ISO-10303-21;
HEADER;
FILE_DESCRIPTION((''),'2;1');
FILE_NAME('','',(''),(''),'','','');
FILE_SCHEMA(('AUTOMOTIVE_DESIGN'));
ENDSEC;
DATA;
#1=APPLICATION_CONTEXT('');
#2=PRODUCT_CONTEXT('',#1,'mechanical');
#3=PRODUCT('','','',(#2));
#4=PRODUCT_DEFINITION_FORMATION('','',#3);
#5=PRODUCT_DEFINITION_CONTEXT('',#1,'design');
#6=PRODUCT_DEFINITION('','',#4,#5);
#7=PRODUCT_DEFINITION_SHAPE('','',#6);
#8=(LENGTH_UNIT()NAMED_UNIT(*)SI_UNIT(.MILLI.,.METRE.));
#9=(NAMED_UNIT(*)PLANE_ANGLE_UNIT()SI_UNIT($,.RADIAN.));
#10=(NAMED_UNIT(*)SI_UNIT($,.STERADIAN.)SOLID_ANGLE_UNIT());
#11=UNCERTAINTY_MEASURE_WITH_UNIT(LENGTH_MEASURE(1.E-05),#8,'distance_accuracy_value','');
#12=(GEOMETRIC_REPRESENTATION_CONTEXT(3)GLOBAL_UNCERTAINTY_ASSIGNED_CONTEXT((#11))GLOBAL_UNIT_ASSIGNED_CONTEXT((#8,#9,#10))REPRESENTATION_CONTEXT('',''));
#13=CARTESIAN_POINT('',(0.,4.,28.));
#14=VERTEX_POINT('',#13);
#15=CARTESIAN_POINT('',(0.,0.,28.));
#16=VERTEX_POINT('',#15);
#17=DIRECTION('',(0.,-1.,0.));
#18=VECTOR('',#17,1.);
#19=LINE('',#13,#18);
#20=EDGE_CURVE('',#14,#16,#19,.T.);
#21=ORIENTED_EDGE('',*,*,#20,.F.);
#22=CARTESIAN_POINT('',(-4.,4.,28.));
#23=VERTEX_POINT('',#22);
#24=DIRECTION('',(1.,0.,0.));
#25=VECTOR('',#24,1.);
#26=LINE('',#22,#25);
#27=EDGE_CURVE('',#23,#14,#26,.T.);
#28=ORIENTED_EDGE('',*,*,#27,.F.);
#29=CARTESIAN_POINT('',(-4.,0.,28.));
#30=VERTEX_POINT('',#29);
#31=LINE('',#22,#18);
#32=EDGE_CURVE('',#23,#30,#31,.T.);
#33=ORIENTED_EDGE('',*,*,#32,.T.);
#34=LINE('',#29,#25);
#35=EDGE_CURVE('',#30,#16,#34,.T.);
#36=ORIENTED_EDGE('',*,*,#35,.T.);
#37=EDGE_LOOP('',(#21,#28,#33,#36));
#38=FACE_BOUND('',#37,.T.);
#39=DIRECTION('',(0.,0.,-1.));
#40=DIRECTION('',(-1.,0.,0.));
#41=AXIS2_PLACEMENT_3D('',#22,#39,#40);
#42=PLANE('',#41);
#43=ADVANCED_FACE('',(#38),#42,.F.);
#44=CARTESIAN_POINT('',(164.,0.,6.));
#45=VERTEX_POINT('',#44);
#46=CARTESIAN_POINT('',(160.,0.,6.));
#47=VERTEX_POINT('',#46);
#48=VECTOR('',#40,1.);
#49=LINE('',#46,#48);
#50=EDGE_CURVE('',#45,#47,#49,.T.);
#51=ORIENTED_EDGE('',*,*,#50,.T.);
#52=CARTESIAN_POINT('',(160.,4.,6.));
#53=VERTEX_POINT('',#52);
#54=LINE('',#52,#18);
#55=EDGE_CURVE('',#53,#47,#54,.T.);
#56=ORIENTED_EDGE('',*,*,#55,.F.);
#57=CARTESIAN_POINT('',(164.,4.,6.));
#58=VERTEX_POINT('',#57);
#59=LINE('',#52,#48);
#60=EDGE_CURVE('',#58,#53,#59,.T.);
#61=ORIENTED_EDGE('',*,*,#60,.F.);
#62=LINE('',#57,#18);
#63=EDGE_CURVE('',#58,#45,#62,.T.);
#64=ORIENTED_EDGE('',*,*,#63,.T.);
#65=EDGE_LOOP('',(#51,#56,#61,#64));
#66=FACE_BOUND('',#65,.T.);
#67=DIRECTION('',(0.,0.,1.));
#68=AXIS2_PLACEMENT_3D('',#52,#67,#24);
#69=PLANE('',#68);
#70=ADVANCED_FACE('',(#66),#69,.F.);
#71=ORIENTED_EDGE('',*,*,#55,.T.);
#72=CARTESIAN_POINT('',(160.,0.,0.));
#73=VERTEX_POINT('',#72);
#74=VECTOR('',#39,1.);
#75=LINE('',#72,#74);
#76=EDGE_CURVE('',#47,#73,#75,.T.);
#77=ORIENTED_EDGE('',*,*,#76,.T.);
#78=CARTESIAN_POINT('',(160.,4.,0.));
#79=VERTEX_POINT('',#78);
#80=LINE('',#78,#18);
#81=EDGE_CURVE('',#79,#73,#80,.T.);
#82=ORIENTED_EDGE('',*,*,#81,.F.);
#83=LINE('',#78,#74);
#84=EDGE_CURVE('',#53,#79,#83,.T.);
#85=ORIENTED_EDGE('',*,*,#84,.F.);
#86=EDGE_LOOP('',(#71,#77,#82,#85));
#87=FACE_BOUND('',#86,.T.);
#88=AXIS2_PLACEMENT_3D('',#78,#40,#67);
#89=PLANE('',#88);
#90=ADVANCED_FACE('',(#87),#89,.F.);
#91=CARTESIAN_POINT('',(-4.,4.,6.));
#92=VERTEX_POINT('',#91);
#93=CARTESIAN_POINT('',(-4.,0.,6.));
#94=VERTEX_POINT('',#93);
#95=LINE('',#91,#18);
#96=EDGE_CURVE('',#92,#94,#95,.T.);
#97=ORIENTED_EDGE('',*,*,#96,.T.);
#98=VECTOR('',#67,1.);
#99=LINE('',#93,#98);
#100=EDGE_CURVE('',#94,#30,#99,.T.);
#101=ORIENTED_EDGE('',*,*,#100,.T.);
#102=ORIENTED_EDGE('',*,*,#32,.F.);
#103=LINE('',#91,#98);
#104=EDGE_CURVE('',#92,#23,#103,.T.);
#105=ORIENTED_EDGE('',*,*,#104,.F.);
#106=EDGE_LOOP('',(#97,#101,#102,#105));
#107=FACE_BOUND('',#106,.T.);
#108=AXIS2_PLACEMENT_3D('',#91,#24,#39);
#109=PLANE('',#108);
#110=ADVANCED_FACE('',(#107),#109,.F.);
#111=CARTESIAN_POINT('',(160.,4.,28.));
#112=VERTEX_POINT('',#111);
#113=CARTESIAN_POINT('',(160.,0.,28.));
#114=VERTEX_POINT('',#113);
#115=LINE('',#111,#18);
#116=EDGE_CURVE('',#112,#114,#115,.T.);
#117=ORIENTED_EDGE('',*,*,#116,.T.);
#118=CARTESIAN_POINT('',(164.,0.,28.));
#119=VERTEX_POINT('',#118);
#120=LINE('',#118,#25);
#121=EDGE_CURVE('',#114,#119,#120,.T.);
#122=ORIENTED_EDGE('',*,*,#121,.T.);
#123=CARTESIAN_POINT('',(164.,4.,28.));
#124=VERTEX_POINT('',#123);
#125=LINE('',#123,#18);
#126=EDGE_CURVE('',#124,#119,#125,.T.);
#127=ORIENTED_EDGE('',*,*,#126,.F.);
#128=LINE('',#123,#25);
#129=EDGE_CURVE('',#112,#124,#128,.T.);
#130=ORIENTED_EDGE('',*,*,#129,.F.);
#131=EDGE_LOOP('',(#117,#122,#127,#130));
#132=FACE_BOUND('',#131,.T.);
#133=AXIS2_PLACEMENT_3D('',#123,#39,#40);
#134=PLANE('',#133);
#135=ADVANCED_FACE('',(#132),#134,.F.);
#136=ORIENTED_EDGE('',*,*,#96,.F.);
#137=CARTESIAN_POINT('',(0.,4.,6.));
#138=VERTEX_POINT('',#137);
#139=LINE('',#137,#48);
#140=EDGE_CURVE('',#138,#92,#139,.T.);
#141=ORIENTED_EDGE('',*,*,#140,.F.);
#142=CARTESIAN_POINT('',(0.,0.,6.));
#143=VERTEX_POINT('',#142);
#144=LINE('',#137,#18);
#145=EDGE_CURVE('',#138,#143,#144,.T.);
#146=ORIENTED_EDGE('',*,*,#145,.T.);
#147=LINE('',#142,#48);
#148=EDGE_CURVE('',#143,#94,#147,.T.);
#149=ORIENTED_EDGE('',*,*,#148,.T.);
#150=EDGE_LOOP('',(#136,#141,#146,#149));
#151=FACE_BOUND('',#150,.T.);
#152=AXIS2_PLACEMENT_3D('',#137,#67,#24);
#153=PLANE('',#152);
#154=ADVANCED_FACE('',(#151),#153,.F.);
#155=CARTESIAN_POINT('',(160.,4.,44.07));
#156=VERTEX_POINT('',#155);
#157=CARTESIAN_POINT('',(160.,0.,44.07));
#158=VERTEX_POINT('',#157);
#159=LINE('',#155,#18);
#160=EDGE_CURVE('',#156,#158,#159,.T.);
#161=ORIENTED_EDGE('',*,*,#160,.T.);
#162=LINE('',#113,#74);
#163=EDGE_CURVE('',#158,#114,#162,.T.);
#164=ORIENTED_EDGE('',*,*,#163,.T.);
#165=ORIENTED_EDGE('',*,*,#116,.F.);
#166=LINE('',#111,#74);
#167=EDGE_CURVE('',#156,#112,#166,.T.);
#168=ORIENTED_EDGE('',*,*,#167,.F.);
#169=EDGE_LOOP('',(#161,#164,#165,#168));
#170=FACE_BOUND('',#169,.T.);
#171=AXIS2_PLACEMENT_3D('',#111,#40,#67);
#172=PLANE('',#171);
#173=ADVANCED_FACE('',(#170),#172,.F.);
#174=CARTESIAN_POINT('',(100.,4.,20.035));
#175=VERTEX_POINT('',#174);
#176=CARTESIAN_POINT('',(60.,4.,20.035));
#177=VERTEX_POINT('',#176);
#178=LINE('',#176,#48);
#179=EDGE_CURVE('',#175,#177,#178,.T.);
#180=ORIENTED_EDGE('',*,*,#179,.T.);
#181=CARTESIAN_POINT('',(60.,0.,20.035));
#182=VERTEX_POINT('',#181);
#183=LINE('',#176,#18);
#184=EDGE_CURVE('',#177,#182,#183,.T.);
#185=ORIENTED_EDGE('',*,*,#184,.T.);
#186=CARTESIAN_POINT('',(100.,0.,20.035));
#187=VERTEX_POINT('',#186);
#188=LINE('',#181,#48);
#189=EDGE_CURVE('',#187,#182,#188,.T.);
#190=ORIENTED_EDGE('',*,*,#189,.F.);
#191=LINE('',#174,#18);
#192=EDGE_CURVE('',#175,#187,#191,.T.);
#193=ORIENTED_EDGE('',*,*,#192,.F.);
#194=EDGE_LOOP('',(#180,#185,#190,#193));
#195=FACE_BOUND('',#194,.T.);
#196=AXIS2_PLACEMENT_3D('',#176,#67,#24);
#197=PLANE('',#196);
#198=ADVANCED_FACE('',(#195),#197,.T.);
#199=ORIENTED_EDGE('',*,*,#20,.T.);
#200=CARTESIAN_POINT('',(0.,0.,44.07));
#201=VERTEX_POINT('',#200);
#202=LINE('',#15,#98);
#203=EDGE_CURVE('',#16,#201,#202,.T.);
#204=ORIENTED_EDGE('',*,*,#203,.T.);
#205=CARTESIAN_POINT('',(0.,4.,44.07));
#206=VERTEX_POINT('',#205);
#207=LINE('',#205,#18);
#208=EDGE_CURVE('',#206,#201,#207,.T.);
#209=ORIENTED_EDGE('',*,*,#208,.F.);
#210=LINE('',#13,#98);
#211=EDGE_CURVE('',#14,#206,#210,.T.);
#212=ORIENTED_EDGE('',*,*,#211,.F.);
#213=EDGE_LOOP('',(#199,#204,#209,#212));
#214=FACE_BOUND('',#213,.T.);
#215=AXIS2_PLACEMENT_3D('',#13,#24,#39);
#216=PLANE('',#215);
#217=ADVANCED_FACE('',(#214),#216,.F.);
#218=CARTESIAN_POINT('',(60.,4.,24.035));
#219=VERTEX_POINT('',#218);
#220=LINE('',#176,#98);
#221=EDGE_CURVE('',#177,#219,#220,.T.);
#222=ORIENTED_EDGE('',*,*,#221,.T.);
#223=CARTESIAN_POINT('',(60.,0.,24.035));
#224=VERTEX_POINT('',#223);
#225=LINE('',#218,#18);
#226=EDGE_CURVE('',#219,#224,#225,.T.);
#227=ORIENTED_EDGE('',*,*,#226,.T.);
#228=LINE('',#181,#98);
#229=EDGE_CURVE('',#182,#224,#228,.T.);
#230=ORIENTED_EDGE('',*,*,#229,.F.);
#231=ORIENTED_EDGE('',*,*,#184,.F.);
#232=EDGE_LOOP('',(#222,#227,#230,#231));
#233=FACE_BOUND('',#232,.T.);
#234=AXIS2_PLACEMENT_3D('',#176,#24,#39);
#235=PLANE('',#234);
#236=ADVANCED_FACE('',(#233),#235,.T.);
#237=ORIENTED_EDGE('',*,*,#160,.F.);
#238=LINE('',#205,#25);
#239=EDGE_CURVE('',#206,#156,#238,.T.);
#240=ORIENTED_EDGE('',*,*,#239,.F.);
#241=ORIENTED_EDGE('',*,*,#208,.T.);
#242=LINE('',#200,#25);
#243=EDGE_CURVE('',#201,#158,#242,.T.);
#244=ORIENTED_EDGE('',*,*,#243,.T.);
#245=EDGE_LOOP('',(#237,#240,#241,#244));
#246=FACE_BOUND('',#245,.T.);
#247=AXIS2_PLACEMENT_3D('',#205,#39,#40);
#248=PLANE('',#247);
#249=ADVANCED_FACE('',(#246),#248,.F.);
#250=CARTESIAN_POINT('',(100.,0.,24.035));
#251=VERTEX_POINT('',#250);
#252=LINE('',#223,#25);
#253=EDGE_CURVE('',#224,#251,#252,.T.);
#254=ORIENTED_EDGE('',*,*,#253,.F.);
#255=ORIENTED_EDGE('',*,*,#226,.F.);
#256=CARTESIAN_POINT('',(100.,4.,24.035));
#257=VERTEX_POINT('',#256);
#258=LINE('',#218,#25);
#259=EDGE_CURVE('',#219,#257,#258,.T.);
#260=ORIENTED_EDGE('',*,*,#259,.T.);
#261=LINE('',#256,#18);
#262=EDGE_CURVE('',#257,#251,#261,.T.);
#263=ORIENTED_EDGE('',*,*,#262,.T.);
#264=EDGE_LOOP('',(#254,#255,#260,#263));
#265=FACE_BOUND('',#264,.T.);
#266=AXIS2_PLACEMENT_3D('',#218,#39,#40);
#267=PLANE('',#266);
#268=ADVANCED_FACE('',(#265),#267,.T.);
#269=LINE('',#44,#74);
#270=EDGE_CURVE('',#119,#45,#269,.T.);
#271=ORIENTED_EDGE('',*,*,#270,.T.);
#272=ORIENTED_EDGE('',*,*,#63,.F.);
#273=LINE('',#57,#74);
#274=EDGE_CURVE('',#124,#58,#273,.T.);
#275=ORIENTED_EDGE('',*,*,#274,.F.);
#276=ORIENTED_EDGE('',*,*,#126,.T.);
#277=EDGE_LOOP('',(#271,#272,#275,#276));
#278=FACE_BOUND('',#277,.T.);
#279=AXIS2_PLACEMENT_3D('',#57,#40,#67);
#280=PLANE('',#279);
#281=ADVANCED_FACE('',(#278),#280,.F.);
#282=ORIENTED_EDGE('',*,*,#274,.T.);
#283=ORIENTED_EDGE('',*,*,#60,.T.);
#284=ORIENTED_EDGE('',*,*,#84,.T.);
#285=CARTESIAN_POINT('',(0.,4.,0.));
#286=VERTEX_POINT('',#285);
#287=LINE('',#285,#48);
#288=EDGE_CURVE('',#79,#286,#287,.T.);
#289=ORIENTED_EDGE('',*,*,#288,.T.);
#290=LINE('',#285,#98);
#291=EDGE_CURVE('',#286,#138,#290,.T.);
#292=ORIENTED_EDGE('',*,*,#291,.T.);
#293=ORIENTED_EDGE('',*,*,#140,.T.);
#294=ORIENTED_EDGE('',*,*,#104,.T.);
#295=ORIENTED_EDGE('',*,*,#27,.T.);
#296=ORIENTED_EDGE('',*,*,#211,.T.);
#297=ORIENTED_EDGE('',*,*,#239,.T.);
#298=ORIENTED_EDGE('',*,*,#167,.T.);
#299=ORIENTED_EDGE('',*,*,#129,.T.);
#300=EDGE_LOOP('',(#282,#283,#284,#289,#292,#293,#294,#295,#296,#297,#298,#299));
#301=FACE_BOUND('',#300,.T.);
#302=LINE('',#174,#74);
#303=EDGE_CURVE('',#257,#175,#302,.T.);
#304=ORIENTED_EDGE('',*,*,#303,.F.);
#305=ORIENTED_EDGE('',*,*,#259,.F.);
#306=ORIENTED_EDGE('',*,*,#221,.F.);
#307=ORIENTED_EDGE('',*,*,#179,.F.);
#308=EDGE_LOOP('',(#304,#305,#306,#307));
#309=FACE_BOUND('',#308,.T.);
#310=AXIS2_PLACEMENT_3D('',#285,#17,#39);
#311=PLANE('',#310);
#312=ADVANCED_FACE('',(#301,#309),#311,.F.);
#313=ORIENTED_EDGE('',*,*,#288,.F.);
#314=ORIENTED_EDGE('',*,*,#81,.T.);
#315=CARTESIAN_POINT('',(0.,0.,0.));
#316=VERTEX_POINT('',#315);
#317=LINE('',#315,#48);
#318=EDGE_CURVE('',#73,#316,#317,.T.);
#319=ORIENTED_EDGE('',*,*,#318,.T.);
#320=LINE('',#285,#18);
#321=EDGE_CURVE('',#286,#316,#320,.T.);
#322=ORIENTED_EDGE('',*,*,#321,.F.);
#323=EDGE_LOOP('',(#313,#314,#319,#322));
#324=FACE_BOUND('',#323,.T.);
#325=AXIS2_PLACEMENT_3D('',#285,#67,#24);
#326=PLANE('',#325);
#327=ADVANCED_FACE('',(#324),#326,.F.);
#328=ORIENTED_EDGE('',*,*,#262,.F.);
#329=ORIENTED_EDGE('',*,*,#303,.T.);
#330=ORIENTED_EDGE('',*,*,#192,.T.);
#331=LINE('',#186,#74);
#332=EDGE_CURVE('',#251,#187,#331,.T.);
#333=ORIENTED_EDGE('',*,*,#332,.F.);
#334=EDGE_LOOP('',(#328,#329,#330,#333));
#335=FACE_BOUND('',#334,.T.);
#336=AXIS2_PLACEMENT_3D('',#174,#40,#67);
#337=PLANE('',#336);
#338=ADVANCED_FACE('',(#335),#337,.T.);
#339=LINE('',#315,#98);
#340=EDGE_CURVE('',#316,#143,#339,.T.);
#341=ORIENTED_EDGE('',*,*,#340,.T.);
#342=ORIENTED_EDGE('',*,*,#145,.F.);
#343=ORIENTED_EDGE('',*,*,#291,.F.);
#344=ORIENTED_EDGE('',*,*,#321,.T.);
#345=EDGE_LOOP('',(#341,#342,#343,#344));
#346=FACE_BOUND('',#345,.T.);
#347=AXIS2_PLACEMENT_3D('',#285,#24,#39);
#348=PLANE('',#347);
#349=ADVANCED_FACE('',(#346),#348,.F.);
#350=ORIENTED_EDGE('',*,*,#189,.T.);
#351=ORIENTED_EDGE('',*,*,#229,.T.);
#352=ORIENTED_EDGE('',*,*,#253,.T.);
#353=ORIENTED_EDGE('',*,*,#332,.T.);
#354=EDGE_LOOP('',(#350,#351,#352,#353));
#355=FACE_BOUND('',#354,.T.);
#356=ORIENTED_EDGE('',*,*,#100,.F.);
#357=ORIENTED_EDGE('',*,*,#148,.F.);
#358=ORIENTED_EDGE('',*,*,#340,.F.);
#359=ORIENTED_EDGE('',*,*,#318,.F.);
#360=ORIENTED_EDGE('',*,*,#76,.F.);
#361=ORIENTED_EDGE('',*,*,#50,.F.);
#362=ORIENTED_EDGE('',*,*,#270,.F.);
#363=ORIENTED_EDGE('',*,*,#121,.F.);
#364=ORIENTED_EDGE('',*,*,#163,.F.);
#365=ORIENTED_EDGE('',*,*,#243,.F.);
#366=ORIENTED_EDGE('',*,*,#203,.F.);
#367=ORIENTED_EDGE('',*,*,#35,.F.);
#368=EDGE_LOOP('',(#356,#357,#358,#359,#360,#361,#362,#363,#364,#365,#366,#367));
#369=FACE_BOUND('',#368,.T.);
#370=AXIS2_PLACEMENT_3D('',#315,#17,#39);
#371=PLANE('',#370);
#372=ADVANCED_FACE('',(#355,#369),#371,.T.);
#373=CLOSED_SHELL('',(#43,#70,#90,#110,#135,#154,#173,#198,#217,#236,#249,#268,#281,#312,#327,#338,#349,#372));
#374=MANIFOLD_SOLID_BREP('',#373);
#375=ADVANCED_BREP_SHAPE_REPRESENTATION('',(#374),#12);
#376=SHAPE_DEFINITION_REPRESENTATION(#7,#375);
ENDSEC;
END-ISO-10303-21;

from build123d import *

# Parameters (mm, degrees)
SKETCH2_W           = 40
SKETCH2_H           = 4
BOSS_EXTRUDE1_DEPTH = 4


with BuildPart() as part:
    # Sketch2 → Boss-Extrude1 (new body)
    with BuildSketch(Plane(origin=(0, 0, 0), x_dir=(1, 0, 0), z_dir=(0, 1, 0))):
        Polygon((0, -6), (-4, -6), (-4, -28), (0, -28), (0, -44.07), (160, -44.07), (160, -28), (164, -28), (164, -6), (160, -6), (160, 0), (0, 0), align=None)
        with Locations((80, -22.035)):
            Rectangle(SKETCH2_W, SKETCH2_H, mode=Mode.SUBTRACT)
    extrude(amount=BOSS_EXTRUDE1_DEPTH)


solid = part.part
